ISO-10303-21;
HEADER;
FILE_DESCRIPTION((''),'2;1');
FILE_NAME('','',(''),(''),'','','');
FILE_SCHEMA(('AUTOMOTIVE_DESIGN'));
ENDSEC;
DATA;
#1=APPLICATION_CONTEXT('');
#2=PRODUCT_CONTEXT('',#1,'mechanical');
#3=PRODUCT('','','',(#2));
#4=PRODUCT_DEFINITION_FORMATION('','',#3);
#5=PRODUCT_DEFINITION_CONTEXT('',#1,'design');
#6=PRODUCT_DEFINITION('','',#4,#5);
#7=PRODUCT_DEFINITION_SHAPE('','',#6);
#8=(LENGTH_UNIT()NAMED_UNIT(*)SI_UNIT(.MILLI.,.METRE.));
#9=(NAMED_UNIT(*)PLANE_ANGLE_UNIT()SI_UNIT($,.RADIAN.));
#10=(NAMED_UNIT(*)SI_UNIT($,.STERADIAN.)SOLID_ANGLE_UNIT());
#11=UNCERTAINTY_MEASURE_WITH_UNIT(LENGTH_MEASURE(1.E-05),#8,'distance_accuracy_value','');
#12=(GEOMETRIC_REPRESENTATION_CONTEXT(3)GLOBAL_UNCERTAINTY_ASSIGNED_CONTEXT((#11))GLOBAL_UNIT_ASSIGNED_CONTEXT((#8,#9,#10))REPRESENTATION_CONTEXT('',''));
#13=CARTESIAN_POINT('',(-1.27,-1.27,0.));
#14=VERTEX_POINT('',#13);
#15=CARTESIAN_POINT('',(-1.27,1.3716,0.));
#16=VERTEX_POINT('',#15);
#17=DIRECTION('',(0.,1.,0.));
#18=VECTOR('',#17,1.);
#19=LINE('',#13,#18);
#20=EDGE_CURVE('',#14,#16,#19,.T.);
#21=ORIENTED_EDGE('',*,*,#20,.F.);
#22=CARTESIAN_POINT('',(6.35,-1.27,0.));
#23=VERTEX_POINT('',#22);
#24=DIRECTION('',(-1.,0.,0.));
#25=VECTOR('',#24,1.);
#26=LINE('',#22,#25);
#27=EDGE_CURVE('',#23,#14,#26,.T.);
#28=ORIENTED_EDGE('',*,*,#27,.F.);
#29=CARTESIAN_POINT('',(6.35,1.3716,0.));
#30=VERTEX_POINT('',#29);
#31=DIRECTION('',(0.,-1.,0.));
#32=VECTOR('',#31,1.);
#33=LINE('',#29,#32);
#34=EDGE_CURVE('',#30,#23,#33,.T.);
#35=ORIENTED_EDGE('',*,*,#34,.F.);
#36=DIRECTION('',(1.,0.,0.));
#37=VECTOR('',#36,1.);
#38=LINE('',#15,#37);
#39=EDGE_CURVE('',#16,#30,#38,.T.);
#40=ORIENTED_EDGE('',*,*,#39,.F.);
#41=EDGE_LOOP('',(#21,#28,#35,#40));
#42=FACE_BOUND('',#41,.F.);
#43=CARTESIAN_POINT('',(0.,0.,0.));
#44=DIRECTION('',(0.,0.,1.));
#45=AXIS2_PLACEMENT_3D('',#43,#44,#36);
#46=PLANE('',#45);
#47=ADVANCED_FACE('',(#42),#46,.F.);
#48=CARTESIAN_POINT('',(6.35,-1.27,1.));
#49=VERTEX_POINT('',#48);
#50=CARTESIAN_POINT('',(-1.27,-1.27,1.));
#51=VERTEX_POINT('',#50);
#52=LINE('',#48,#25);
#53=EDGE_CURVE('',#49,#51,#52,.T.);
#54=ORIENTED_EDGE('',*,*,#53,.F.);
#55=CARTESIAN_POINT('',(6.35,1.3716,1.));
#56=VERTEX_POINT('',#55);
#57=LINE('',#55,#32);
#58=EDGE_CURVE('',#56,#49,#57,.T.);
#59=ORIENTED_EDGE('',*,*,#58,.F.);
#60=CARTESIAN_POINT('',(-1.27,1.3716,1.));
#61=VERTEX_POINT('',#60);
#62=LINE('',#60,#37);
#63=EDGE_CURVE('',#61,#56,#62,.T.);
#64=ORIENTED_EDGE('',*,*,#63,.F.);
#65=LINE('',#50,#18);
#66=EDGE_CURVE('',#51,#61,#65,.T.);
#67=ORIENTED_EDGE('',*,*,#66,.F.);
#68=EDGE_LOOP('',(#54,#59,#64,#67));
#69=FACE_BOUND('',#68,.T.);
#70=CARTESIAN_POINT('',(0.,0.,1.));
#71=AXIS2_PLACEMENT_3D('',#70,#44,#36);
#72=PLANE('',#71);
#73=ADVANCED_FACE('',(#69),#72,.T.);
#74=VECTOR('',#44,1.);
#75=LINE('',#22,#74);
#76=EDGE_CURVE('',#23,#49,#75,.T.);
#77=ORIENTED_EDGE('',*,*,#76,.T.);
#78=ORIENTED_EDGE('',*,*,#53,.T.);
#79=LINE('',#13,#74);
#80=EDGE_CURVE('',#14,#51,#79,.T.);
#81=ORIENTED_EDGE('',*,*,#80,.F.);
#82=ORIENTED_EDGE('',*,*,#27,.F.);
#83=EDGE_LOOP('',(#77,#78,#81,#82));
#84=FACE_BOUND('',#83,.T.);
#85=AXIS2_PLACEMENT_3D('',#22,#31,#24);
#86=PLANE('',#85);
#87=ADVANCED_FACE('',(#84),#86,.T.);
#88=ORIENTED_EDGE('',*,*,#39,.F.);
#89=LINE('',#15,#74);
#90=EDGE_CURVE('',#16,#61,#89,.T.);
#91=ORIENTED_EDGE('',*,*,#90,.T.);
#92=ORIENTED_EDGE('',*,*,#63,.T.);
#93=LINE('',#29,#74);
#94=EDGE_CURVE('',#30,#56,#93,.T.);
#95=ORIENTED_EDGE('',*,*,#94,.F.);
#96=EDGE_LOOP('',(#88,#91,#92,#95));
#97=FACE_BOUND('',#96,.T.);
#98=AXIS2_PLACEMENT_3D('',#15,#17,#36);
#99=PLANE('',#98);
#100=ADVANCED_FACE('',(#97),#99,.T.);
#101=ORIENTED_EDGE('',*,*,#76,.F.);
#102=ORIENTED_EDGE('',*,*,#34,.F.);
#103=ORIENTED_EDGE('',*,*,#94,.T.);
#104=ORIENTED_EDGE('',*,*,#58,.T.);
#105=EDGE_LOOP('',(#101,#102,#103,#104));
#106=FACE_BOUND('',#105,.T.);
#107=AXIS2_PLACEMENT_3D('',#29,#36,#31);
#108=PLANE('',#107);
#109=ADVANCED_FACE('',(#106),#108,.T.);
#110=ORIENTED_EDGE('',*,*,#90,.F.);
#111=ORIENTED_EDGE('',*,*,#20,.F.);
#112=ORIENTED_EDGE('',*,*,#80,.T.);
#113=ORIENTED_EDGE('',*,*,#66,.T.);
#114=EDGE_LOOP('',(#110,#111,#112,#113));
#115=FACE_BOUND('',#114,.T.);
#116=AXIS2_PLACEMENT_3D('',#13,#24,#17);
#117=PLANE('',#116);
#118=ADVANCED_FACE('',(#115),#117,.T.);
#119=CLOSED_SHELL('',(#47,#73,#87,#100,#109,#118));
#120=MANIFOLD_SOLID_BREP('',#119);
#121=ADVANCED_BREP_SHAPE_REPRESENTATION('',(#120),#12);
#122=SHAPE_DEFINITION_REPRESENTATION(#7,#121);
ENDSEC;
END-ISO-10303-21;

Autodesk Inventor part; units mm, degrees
ref_plane "YZ Plane" through (0, 0, 0) normal (1, 0, 0) x (0, 1, 0)
ref_plane "XZ Plane" through (0, 0, 0) normal (0, 1, 0) x (-1, 0, 0)
ref_plane "XY Plane" through (0, 0, 0) normal (0, 0, 1) x (1, 0, 0)
sketch "1X03, JP1B_1X03_71" plane through (0, 0, 0) normal (0, 0, 1) x (1, 0, 0)
  line L0 (-1.27, 1.3716) -> (6.35, 1.3716)
  line L1 (6.35, 1.3716) -> (6.35, -1.27)
  line L2 (6.35, -1.27) -> (-1.27, -1.27)
  line L3 (-1.27, -1.27) -> (-1.27, 1.3716)
extrude "Extrusion1" add sketch "1X03, JP1B_1X03_71" along normal blind 1
properties part number "JP1B_1X03"
